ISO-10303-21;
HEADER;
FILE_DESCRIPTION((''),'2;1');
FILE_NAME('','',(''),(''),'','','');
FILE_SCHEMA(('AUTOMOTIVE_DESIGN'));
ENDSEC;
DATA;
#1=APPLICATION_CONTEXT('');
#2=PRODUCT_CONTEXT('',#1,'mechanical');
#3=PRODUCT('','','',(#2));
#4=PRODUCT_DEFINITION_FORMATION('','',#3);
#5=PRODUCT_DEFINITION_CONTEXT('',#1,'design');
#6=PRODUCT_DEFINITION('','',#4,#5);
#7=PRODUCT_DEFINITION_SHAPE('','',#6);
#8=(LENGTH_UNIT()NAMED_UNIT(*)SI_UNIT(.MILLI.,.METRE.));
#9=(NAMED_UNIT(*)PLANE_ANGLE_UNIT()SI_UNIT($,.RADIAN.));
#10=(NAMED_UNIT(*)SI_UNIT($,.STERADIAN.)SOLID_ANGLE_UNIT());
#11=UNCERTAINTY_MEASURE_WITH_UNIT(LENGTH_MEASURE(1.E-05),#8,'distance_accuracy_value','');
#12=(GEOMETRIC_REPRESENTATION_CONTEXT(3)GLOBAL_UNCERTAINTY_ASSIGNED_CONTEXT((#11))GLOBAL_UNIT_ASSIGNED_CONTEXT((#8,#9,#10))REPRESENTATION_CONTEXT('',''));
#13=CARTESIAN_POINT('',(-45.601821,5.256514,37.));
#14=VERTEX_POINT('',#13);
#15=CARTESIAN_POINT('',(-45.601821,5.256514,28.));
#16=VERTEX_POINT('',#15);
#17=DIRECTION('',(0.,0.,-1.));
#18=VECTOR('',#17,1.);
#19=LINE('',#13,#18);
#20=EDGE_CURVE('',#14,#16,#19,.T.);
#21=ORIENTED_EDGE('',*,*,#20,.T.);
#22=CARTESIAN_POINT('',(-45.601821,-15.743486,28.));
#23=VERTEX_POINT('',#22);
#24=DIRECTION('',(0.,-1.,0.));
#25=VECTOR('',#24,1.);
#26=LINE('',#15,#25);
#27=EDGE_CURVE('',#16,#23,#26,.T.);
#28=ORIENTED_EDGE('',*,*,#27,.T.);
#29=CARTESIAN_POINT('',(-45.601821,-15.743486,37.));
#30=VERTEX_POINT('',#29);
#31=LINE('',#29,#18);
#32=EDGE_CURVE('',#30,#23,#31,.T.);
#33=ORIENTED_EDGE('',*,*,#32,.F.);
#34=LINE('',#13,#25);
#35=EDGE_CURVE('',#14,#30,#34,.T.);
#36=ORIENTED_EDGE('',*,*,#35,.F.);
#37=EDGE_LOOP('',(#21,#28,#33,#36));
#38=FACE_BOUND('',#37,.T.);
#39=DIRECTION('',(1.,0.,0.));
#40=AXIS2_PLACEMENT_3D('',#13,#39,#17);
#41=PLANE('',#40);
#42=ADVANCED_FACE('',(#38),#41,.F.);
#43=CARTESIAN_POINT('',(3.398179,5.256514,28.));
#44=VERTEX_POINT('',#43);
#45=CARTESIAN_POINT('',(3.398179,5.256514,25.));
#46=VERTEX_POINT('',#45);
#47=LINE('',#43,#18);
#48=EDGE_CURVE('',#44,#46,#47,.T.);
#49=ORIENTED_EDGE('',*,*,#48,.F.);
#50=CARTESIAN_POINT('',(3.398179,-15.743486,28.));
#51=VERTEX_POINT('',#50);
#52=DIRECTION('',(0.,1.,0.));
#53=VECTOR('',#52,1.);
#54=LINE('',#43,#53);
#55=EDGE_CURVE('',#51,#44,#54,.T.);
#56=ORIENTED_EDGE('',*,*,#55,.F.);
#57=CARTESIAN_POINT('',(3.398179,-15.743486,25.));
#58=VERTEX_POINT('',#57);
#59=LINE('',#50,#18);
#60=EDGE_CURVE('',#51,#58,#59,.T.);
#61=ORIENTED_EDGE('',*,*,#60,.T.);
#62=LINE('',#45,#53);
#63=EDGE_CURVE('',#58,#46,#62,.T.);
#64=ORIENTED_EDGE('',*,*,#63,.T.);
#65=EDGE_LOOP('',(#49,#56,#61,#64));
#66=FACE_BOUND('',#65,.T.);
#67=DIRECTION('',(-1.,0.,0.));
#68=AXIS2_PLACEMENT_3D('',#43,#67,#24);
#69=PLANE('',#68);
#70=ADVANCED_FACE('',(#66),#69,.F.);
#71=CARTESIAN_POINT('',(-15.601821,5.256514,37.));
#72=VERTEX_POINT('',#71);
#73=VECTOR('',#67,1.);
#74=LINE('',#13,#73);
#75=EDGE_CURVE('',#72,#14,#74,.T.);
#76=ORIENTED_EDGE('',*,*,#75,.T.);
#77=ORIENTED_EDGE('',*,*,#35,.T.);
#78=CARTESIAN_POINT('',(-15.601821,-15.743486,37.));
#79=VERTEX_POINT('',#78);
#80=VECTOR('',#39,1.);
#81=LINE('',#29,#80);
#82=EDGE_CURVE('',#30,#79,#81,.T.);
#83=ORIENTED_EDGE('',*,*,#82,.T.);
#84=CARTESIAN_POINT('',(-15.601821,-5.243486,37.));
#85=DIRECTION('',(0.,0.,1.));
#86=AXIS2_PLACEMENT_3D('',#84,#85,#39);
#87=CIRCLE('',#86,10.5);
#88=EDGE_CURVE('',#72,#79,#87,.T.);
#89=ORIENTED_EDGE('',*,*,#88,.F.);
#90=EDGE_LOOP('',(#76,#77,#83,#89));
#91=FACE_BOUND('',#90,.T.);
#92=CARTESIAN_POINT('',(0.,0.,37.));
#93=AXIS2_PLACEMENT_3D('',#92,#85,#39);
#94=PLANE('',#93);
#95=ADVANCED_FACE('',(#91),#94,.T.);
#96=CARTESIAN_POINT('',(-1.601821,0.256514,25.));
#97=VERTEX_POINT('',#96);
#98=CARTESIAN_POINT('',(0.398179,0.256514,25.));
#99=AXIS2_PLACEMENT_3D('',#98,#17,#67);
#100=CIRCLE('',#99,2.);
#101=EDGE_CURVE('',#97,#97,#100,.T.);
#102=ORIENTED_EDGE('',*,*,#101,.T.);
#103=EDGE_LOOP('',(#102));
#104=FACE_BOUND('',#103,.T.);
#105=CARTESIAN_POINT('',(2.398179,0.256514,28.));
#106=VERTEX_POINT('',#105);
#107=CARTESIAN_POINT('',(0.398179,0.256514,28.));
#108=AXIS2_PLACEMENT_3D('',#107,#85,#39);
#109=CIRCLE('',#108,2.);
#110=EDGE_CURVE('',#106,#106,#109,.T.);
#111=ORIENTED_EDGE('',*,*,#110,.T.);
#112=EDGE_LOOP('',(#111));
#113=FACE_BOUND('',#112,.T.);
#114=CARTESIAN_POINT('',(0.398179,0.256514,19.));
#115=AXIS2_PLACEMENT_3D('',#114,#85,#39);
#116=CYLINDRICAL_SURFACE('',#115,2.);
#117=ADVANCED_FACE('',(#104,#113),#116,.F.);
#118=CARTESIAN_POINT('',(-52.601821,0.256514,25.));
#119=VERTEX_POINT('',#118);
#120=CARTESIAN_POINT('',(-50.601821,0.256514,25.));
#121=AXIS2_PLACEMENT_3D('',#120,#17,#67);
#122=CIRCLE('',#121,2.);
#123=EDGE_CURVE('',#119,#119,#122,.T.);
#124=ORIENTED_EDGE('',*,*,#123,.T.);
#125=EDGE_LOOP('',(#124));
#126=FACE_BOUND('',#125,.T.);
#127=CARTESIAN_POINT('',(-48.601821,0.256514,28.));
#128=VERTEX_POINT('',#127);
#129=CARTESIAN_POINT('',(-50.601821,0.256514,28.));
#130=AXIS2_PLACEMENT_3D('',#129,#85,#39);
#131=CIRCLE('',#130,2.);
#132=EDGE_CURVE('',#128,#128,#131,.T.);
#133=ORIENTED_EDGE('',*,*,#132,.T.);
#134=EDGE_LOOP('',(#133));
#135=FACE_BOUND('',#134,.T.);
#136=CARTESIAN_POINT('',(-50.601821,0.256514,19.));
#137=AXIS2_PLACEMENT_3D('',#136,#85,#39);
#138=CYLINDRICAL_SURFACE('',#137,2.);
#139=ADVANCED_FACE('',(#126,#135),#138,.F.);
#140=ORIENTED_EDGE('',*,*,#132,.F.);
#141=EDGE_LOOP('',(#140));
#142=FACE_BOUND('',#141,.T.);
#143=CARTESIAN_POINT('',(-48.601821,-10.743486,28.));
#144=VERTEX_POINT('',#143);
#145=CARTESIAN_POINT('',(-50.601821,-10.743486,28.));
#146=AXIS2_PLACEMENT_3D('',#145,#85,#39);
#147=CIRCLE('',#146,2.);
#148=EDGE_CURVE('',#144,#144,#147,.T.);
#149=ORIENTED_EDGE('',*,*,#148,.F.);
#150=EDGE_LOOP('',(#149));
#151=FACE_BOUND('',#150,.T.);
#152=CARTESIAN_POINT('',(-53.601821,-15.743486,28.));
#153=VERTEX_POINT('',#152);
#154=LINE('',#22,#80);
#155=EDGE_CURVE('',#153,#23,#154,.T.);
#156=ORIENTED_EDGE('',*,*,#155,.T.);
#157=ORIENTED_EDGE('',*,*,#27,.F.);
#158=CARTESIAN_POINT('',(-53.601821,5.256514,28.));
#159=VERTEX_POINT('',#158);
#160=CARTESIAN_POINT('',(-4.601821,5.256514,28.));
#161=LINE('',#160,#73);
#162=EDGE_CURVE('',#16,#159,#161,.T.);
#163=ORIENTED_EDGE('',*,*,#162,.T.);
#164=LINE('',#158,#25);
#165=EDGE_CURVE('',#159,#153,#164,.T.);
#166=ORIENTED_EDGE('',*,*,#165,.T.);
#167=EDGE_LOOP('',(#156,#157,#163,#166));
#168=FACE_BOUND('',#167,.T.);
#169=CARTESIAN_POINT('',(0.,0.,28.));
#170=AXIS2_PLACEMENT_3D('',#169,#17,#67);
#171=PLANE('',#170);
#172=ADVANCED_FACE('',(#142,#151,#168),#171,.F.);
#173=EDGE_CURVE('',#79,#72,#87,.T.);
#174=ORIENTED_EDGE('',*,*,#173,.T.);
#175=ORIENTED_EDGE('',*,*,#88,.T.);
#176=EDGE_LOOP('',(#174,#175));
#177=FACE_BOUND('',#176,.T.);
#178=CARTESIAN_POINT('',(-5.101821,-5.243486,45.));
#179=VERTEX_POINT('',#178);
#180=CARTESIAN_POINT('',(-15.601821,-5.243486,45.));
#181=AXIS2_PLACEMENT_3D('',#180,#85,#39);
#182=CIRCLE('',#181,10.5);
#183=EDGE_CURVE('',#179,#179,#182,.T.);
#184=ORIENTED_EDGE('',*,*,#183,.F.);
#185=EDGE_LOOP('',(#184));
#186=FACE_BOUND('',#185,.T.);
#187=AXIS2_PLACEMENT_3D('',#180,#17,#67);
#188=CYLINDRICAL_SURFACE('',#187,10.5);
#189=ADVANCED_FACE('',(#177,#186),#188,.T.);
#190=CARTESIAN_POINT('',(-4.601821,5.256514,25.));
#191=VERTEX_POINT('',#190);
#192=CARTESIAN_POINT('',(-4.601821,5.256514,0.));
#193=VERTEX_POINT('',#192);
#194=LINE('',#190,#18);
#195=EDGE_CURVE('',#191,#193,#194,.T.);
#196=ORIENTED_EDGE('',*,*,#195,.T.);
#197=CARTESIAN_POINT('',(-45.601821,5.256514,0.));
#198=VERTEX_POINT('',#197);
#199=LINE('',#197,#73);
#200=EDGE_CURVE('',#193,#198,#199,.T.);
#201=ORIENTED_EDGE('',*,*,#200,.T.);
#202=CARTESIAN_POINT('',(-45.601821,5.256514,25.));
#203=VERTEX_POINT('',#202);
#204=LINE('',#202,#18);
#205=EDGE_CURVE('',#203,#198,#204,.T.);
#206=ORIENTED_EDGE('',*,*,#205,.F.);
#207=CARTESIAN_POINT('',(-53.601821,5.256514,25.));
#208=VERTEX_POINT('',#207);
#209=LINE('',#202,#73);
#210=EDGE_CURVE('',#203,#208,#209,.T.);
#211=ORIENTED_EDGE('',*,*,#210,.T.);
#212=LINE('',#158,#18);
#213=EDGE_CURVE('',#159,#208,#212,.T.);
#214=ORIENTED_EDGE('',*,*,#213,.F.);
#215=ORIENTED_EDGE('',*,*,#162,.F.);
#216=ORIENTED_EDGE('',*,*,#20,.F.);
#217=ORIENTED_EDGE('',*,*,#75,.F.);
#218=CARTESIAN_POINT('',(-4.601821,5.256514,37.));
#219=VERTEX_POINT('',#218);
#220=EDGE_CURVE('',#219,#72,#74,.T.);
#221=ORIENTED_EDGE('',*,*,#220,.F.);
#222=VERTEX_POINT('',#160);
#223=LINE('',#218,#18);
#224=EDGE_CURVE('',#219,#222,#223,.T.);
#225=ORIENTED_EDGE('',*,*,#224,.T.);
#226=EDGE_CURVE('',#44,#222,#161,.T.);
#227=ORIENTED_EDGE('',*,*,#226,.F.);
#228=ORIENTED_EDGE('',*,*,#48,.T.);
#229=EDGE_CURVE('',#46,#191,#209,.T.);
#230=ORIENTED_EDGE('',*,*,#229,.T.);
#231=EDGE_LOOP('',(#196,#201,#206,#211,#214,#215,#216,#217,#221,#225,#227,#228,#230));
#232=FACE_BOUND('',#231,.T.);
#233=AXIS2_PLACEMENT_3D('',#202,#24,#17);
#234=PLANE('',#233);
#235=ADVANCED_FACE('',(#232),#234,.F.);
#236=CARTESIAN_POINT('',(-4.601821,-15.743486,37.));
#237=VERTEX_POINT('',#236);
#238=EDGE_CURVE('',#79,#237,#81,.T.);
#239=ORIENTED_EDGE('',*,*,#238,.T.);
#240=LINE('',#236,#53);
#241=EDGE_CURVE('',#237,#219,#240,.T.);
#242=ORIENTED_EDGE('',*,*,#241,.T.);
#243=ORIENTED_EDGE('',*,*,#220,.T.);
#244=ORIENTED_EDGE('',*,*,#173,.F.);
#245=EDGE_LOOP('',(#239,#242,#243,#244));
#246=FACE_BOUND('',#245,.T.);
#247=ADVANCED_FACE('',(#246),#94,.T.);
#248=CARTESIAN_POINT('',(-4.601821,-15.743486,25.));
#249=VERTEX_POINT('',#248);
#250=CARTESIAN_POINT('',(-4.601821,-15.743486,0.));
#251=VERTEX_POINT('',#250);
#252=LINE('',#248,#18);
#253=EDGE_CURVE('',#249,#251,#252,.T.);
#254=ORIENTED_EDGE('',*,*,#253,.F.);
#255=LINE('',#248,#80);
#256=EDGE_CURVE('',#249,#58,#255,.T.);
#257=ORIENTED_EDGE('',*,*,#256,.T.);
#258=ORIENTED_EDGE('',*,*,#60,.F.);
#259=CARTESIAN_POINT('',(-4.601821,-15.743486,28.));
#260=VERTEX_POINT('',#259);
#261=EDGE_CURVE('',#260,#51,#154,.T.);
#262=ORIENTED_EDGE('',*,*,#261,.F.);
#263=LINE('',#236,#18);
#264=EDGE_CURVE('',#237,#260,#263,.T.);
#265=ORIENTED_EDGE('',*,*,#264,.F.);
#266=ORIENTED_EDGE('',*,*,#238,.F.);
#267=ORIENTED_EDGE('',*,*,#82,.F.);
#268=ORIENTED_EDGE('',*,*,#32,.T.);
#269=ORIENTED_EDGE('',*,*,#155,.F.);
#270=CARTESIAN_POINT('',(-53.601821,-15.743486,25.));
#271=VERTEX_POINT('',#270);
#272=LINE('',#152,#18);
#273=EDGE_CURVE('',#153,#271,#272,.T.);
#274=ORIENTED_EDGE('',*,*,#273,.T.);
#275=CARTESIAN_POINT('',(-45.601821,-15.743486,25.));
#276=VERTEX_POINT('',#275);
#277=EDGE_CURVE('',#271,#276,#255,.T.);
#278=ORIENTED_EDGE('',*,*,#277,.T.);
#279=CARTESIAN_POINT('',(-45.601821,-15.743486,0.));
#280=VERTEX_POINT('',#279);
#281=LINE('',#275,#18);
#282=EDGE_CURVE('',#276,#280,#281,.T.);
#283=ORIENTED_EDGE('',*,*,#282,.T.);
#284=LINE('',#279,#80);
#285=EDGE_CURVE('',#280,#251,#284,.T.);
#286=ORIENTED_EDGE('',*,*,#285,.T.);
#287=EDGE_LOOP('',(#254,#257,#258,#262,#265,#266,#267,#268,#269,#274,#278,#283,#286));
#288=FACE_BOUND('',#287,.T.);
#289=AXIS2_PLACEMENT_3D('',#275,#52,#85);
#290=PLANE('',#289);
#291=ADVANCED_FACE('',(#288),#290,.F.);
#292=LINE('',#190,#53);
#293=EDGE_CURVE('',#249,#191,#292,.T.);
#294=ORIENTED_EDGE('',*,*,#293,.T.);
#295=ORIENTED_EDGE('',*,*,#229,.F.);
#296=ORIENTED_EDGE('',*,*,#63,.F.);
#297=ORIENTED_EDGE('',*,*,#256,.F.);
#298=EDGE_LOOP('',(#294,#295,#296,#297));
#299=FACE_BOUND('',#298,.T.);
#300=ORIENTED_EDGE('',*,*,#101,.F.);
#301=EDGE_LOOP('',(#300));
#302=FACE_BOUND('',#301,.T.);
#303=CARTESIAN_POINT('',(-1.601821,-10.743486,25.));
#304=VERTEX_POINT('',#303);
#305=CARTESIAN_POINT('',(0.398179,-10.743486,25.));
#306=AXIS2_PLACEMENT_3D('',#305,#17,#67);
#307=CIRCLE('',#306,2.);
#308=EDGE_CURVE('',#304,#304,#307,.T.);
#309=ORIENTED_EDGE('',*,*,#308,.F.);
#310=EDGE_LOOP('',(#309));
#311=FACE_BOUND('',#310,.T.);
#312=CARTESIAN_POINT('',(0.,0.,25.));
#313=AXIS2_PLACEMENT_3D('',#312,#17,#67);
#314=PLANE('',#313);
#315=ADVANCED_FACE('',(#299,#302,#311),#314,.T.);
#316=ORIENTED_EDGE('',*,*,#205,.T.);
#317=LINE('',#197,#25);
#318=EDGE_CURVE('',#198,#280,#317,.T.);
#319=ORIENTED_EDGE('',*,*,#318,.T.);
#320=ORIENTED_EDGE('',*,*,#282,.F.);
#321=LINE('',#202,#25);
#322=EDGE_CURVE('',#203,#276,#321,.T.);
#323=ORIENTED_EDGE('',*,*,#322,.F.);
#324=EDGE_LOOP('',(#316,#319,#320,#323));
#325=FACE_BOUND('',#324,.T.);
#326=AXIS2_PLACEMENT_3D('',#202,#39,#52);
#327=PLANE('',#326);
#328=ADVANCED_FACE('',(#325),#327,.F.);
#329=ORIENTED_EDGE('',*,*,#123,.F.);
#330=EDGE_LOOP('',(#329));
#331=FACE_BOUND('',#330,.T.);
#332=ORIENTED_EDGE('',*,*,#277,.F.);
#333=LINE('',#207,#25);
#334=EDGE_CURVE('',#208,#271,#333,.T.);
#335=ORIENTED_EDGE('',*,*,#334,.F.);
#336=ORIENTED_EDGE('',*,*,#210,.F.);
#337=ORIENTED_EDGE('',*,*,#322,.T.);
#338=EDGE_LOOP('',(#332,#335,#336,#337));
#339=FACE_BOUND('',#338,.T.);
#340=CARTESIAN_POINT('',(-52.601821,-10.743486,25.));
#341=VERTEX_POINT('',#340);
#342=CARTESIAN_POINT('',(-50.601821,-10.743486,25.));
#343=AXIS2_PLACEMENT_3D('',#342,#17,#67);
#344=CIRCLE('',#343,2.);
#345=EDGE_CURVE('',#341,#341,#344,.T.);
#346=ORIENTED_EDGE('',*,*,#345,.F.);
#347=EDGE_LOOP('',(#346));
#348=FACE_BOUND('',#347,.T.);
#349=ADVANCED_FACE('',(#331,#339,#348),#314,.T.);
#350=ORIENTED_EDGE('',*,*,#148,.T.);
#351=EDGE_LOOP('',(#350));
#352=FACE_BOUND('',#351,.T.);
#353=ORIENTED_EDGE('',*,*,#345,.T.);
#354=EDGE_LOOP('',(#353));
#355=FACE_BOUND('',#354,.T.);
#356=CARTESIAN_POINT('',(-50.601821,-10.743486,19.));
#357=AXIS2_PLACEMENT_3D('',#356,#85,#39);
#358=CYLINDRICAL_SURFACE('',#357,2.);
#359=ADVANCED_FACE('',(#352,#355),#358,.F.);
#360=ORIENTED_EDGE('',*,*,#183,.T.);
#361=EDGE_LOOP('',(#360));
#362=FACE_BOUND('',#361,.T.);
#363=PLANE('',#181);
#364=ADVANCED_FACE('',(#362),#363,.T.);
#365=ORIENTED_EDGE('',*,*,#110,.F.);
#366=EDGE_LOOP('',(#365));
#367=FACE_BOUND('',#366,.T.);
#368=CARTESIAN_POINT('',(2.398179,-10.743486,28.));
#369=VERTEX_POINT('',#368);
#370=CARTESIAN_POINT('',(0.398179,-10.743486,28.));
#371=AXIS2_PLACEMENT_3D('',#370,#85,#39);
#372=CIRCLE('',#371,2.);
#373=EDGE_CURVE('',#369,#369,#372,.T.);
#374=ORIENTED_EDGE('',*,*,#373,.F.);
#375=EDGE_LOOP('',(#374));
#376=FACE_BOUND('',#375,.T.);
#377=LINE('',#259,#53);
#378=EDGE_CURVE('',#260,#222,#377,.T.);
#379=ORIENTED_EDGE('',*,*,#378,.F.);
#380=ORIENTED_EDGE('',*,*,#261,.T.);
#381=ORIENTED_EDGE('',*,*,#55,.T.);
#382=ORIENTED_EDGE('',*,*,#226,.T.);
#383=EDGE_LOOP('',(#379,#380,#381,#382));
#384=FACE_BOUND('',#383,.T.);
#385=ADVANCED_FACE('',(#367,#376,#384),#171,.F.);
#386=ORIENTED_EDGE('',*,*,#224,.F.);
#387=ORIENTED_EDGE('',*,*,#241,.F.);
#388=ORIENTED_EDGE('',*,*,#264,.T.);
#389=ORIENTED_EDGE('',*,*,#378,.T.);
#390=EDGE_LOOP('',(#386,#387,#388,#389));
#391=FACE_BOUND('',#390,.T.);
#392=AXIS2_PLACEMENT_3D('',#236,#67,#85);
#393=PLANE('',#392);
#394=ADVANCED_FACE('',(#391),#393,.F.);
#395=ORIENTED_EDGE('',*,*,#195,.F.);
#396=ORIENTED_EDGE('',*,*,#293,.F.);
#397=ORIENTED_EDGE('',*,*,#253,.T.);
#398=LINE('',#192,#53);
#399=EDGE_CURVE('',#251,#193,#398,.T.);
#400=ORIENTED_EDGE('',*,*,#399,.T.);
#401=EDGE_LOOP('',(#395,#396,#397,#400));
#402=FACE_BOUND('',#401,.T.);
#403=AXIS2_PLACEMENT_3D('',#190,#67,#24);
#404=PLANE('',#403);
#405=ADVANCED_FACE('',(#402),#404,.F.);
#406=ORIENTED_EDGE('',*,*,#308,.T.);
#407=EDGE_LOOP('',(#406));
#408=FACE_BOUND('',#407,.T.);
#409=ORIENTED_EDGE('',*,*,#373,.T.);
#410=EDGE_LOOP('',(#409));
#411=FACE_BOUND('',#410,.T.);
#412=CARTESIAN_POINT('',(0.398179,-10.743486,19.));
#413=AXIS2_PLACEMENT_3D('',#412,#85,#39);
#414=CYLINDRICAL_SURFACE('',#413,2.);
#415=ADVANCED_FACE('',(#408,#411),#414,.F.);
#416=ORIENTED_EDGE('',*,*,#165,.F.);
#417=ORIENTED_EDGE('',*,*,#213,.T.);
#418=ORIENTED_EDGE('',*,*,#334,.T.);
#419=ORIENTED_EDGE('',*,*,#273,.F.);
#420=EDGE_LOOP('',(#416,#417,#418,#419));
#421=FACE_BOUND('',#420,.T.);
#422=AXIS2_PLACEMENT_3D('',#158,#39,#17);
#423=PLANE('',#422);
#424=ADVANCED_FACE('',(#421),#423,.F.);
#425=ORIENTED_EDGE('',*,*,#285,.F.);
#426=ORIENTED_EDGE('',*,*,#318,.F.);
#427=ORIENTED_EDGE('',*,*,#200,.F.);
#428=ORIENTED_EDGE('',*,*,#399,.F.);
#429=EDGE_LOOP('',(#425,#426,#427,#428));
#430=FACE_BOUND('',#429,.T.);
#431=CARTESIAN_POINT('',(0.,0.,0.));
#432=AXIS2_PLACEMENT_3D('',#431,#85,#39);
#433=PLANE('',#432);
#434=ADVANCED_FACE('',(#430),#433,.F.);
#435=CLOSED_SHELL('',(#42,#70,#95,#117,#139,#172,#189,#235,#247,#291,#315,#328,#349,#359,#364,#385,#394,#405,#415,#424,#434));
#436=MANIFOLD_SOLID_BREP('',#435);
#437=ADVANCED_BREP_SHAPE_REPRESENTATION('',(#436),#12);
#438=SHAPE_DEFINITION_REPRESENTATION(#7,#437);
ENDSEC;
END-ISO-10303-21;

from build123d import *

# Parameters (mm, degrees)
SKETCH1_W           = 41
SKETCH1_H           = 21
BOSS_EXTRUDE1_DEPTH = 25
BOSS_EXTRUDE2_DEPTH = 3
SKETCH5_W           = 41
SKETCH5_H           = 21
BOSS_EXTRUDE3_DEPTH = 9
SKETCH6_R           = 2
CUT_EXTRUDE1_DEPTH  = 9
SKETCH7_R           = 2
CUT_EXTRUDE2_DEPTH  = 9
SKETCH8_R           = 10.5
BOSS_EXTRUDE4_DEPTH = 8


with BuildPart() as part:
    # Sketch1 → Boss-Extrude1 (new body)
    with BuildSketch(Plane.XY):
        with Locations((-25.101821211, -5.243485894)):
            Rectangle(SKETCH1_W, SKETCH1_H)
    extrude(amount=BOSS_EXTRUDE1_DEPTH)

    # Sketch4 → Boss-Extrude2 (add)
    with BuildSketch(Plane.XY.offset(25)):
        Polygon((-4.601821211, 5.256514106), (-45.601821211, 5.256514106), (-53.601821211, 5.256514106), (-53.601821211, -15.743485894), (-45.601821211, -15.743485894), (-4.601821211, -15.743485894), (3.398178789, -15.743485894), (3.398178789, 5.256514106), align=None)
    extrude(amount=BOSS_EXTRUDE2_DEPTH)

    # Sketch5 → Boss-Extrude3 (add)
    with BuildSketch(Plane.XY.offset(28)):
        with Locations((-25.101821211, -5.243485894)):
            Rectangle(SKETCH5_W, SKETCH5_H)
    extrude(amount=BOSS_EXTRUDE3_DEPTH)

    # Sketch6 → Cut-Extrude1 (cut)
    with BuildSketch(Plane.XY.offset(28)):
        with Locations((-50.601821211, -10.743485894)):
            Circle(SKETCH6_R)
        with Locations((-50.601821211, 0.256514106)):
            Circle(SKETCH6_R)
    extrude(amount=-CUT_EXTRUDE1_DEPTH, mode=Mode.SUBTRACT)

    # Sketch7 → Cut-Extrude2 (cut)
    with BuildSketch(Plane.XY.offset(28)):
        with Locations((0.398178789, -10.743485894)):
            Circle(SKETCH7_R)
        with Locations((0.398178789, 0.256514106)):
            Circle(SKETCH7_R)
    extrude(amount=-CUT_EXTRUDE2_DEPTH, mode=Mode.SUBTRACT)

    # Sketch8 → Boss-Extrude4 (add)
    with BuildSketch(Plane.XY.offset(37)):
        with Locations(Location((-15.601821211, -5.243485894, 0), (0, 0, 270))):
            Circle(SKETCH8_R)
    extrude(amount=BOSS_EXTRUDE4_DEPTH)


solid = part.part
